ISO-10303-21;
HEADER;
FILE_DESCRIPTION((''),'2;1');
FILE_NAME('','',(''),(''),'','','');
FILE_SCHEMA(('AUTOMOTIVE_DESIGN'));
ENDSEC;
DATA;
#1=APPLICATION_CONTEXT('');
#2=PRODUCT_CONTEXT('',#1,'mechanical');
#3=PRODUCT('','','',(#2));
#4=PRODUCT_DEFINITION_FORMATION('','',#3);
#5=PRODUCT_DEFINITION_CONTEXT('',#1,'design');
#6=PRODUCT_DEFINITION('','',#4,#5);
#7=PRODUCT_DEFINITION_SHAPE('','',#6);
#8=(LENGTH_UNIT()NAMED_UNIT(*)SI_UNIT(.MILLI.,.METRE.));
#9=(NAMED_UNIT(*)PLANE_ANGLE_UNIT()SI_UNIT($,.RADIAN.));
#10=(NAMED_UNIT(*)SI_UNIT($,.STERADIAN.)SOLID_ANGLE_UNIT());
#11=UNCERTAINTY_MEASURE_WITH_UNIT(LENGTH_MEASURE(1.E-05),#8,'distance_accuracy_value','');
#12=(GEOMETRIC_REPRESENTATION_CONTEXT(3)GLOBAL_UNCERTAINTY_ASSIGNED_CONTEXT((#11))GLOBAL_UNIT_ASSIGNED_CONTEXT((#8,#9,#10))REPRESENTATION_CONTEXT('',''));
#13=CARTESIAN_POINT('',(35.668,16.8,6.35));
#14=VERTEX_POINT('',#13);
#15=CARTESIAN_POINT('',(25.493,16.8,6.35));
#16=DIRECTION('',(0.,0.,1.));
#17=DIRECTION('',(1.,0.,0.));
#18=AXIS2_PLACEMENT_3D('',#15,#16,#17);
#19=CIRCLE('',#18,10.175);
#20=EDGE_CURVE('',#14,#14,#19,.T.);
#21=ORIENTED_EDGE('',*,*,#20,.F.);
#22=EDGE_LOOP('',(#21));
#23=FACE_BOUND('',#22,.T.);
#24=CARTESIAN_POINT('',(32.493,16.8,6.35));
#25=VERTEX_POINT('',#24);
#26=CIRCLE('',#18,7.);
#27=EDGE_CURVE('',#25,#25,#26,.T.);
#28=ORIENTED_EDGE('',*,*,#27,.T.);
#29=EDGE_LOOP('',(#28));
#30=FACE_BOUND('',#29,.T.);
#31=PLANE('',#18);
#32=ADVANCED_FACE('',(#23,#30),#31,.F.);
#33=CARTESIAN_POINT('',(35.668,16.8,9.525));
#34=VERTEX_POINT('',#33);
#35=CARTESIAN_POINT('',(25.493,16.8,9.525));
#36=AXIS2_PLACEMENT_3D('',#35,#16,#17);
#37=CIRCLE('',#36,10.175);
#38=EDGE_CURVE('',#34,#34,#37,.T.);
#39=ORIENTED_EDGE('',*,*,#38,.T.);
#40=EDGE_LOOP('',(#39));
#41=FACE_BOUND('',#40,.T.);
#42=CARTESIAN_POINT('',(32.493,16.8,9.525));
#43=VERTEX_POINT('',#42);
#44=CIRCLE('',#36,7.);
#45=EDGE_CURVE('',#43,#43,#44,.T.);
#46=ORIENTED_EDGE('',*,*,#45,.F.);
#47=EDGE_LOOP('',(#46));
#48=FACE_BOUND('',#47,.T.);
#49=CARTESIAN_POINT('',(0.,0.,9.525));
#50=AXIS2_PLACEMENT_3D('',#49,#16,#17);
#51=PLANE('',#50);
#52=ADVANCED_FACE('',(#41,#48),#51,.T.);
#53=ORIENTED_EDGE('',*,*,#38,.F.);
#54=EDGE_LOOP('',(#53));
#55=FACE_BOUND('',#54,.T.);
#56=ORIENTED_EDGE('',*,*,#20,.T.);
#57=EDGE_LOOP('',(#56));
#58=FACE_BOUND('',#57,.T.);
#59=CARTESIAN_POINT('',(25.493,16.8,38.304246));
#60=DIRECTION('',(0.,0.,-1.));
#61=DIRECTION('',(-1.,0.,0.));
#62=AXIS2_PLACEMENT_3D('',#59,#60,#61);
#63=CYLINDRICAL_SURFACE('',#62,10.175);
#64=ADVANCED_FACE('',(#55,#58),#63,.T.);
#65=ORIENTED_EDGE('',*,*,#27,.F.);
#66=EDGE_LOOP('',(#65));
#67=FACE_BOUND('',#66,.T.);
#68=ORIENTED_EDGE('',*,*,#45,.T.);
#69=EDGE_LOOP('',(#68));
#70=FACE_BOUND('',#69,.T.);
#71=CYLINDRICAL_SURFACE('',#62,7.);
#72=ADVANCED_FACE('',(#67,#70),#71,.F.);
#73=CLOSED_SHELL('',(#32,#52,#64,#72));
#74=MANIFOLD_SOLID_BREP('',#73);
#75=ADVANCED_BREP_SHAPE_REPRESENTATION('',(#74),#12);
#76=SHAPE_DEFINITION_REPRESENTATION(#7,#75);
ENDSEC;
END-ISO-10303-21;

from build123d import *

# Parameters (mm, degrees)
SKETCH1_R                = 2
BOSS_EXTRUDE1_DEPTH      = 6.35
CUT_EXTRUDE1_DEPTH       = 93.473426076
CUT_EXTRUDE1_DEPTH_BACK  = 93.473426076
SKETCH2_R                = 7
BOSS_EXTRUDE2_DEPTH      = 31.75
BOSS_EXTRUDE2_DEPTH_BACK = 12.7
SKETCH5_R                = 7
SKETCH6_R                = 7
BOSS_EXTRUDE3_DEPTH      = 6.35
FILLET1_R                = 6.35
FILLET2_R                = 3.175
SKETCH7_R                = 10.175
SKETCH7_R_2              = 7
BOSS_EXTRUDE4_DEPTH      = 3.175


with BuildPart() as part:
    # Sketch1 → Boss-Extrude1 (new, symmetric)
    # profile 1 of 3: a face of its own
    with BuildSketch(Plane.XY):
        Polygon((22.188571811, 51.670547503), (22.188571811, 37.229452497), (13.9055, 25.4), (13.9055, 0), (52.0055, 0), (52.0055, 25.4), (26.6055, 76.2), (13.9055, 76.2), (13.9055, 63.5), align=None)
        with Locations((33.493, 8.8)):
            Circle(SKETCH1_R, mode=Mode.SUBTRACT)
        with Locations((17.493, 8.8)):
            Circle(SKETCH1_R, mode=Mode.SUBTRACT)
    # profile 2 of 3: a face of its own
    with BuildSketch(Plane.XY):
        with Locations((17.493, 8.8)):
            Circle(SKETCH1_R)
    # profile 3 of 3: a face of its own
    with BuildSketch(Plane.XY):
        with Locations((33.493, 8.8)):
            Circle(SKETCH1_R)
    extrude(amount=BOSS_EXTRUDE1_DEPTH, both=True)

    # Sketch2 → Cut-Extrude1 (cut, two sides: drawn at the far end of the back side and taken through both)
    with BuildSketch(Plane.XY.offset(-CUT_EXTRUDE1_DEPTH_BACK)):
        with Locations((25.493, 16.8)):
            Circle(SKETCH2_R)
    extrude(amount=CUT_EXTRUDE1_DEPTH + CUT_EXTRUDE1_DEPTH_BACK, mode=Mode.SUBTRACT)

    # Fillet2
    fillet2_edges = [part.edges().sort_by_distance(p)[0] for p in [
        (22.188571811, 51.670547503, 0),
        (13.9055, 63.5, 0),
        (13.9055, 76.2, 0),
        (26.6055, 76.2, 0),
        (52.0055, 25.4, 0),
        (52.0055, 0, 0),
        (13.9055, 0, 0),
        (13.9055, 25.4, 0),
        (22.188571811, 37.229452497, 0),
    ]]
    fillet(fillet2_edges, radius=FILLET2_R)


with BuildPart() as body_2:
    # Sketch5 → Boss-Extrude2 (new, two sides: drawn at the far end of the back side and taken through both)
    with BuildSketch(Plane.XY.offset(6.35).offset(-BOSS_EXTRUDE2_DEPTH_BACK)):
        with Locations((25.493, 16.8)):
            Circle(SKETCH5_R)
    extrude(amount=BOSS_EXTRUDE2_DEPTH + BOSS_EXTRUDE2_DEPTH_BACK)


with BuildPart() as body_3:
    # Sketch6 → Boss-Extrude3 (new, symmetric)
    # profile 1 of 2: a face of its own
    with BuildSketch(Plane.XY.offset(15.875)):
        Polygon((0, -22.225), (0, 0), (-14.3805, 0), (-14.3805, 30.15), (-36.6055, 30.15), (-36.6055, -22.225), (-14.3805, -22.225), align=None)
        with Locations((-25.493, 16.8)):
            Circle(SKETCH6_R, mode=Mode.SUBTRACT)
    # profile 2 of 2: a face of its own
    with BuildSketch(Plane.XY.offset(15.875)):
        Polygon((14.3805, 30.15), (14.3805, 0), (0, 0), (0, -22.225), (14.3805, -22.225), (36.6055, -22.225), (36.6055, 30.15), align=None)
        with Locations((25.493, 16.8)):
            Circle(SKETCH6_R, mode=Mode.SUBTRACT)
    extrude(amount=BOSS_EXTRUDE3_DEPTH, both=True)

    # Fillet1
    fillet1_edges = [body_3.edges().sort_by_distance(p)[0] for p in [
        (-14.3805, 0, 15.875),
        (14.3805, 0, 15.875),
        (14.3805, 30.15, 15.875),
        (36.6055, 30.15, 15.875),
        (36.6055, -22.225, 15.875),
        (-36.6055, -22.225, 15.875),
        (-36.6055, 30.15, 15.875),
        (-14.3805, 30.15, 15.875),
    ]]
    fillet(fillet1_edges, radius=FILLET1_R)


with BuildPart() as body_4:
    # Sketch7 → Boss-Extrude4 (new body)
    with BuildSketch(Plane.XY.offset(6.35)):
        with Locations((25.493, 16.8)):
            Circle(SKETCH7_R)
        with Locations((25.493, 16.8)):
            Circle(SKETCH7_R_2, mode=Mode.SUBTRACT)
    extrude(amount=BOSS_EXTRUDE4_DEPTH)


solid = body_4.part
